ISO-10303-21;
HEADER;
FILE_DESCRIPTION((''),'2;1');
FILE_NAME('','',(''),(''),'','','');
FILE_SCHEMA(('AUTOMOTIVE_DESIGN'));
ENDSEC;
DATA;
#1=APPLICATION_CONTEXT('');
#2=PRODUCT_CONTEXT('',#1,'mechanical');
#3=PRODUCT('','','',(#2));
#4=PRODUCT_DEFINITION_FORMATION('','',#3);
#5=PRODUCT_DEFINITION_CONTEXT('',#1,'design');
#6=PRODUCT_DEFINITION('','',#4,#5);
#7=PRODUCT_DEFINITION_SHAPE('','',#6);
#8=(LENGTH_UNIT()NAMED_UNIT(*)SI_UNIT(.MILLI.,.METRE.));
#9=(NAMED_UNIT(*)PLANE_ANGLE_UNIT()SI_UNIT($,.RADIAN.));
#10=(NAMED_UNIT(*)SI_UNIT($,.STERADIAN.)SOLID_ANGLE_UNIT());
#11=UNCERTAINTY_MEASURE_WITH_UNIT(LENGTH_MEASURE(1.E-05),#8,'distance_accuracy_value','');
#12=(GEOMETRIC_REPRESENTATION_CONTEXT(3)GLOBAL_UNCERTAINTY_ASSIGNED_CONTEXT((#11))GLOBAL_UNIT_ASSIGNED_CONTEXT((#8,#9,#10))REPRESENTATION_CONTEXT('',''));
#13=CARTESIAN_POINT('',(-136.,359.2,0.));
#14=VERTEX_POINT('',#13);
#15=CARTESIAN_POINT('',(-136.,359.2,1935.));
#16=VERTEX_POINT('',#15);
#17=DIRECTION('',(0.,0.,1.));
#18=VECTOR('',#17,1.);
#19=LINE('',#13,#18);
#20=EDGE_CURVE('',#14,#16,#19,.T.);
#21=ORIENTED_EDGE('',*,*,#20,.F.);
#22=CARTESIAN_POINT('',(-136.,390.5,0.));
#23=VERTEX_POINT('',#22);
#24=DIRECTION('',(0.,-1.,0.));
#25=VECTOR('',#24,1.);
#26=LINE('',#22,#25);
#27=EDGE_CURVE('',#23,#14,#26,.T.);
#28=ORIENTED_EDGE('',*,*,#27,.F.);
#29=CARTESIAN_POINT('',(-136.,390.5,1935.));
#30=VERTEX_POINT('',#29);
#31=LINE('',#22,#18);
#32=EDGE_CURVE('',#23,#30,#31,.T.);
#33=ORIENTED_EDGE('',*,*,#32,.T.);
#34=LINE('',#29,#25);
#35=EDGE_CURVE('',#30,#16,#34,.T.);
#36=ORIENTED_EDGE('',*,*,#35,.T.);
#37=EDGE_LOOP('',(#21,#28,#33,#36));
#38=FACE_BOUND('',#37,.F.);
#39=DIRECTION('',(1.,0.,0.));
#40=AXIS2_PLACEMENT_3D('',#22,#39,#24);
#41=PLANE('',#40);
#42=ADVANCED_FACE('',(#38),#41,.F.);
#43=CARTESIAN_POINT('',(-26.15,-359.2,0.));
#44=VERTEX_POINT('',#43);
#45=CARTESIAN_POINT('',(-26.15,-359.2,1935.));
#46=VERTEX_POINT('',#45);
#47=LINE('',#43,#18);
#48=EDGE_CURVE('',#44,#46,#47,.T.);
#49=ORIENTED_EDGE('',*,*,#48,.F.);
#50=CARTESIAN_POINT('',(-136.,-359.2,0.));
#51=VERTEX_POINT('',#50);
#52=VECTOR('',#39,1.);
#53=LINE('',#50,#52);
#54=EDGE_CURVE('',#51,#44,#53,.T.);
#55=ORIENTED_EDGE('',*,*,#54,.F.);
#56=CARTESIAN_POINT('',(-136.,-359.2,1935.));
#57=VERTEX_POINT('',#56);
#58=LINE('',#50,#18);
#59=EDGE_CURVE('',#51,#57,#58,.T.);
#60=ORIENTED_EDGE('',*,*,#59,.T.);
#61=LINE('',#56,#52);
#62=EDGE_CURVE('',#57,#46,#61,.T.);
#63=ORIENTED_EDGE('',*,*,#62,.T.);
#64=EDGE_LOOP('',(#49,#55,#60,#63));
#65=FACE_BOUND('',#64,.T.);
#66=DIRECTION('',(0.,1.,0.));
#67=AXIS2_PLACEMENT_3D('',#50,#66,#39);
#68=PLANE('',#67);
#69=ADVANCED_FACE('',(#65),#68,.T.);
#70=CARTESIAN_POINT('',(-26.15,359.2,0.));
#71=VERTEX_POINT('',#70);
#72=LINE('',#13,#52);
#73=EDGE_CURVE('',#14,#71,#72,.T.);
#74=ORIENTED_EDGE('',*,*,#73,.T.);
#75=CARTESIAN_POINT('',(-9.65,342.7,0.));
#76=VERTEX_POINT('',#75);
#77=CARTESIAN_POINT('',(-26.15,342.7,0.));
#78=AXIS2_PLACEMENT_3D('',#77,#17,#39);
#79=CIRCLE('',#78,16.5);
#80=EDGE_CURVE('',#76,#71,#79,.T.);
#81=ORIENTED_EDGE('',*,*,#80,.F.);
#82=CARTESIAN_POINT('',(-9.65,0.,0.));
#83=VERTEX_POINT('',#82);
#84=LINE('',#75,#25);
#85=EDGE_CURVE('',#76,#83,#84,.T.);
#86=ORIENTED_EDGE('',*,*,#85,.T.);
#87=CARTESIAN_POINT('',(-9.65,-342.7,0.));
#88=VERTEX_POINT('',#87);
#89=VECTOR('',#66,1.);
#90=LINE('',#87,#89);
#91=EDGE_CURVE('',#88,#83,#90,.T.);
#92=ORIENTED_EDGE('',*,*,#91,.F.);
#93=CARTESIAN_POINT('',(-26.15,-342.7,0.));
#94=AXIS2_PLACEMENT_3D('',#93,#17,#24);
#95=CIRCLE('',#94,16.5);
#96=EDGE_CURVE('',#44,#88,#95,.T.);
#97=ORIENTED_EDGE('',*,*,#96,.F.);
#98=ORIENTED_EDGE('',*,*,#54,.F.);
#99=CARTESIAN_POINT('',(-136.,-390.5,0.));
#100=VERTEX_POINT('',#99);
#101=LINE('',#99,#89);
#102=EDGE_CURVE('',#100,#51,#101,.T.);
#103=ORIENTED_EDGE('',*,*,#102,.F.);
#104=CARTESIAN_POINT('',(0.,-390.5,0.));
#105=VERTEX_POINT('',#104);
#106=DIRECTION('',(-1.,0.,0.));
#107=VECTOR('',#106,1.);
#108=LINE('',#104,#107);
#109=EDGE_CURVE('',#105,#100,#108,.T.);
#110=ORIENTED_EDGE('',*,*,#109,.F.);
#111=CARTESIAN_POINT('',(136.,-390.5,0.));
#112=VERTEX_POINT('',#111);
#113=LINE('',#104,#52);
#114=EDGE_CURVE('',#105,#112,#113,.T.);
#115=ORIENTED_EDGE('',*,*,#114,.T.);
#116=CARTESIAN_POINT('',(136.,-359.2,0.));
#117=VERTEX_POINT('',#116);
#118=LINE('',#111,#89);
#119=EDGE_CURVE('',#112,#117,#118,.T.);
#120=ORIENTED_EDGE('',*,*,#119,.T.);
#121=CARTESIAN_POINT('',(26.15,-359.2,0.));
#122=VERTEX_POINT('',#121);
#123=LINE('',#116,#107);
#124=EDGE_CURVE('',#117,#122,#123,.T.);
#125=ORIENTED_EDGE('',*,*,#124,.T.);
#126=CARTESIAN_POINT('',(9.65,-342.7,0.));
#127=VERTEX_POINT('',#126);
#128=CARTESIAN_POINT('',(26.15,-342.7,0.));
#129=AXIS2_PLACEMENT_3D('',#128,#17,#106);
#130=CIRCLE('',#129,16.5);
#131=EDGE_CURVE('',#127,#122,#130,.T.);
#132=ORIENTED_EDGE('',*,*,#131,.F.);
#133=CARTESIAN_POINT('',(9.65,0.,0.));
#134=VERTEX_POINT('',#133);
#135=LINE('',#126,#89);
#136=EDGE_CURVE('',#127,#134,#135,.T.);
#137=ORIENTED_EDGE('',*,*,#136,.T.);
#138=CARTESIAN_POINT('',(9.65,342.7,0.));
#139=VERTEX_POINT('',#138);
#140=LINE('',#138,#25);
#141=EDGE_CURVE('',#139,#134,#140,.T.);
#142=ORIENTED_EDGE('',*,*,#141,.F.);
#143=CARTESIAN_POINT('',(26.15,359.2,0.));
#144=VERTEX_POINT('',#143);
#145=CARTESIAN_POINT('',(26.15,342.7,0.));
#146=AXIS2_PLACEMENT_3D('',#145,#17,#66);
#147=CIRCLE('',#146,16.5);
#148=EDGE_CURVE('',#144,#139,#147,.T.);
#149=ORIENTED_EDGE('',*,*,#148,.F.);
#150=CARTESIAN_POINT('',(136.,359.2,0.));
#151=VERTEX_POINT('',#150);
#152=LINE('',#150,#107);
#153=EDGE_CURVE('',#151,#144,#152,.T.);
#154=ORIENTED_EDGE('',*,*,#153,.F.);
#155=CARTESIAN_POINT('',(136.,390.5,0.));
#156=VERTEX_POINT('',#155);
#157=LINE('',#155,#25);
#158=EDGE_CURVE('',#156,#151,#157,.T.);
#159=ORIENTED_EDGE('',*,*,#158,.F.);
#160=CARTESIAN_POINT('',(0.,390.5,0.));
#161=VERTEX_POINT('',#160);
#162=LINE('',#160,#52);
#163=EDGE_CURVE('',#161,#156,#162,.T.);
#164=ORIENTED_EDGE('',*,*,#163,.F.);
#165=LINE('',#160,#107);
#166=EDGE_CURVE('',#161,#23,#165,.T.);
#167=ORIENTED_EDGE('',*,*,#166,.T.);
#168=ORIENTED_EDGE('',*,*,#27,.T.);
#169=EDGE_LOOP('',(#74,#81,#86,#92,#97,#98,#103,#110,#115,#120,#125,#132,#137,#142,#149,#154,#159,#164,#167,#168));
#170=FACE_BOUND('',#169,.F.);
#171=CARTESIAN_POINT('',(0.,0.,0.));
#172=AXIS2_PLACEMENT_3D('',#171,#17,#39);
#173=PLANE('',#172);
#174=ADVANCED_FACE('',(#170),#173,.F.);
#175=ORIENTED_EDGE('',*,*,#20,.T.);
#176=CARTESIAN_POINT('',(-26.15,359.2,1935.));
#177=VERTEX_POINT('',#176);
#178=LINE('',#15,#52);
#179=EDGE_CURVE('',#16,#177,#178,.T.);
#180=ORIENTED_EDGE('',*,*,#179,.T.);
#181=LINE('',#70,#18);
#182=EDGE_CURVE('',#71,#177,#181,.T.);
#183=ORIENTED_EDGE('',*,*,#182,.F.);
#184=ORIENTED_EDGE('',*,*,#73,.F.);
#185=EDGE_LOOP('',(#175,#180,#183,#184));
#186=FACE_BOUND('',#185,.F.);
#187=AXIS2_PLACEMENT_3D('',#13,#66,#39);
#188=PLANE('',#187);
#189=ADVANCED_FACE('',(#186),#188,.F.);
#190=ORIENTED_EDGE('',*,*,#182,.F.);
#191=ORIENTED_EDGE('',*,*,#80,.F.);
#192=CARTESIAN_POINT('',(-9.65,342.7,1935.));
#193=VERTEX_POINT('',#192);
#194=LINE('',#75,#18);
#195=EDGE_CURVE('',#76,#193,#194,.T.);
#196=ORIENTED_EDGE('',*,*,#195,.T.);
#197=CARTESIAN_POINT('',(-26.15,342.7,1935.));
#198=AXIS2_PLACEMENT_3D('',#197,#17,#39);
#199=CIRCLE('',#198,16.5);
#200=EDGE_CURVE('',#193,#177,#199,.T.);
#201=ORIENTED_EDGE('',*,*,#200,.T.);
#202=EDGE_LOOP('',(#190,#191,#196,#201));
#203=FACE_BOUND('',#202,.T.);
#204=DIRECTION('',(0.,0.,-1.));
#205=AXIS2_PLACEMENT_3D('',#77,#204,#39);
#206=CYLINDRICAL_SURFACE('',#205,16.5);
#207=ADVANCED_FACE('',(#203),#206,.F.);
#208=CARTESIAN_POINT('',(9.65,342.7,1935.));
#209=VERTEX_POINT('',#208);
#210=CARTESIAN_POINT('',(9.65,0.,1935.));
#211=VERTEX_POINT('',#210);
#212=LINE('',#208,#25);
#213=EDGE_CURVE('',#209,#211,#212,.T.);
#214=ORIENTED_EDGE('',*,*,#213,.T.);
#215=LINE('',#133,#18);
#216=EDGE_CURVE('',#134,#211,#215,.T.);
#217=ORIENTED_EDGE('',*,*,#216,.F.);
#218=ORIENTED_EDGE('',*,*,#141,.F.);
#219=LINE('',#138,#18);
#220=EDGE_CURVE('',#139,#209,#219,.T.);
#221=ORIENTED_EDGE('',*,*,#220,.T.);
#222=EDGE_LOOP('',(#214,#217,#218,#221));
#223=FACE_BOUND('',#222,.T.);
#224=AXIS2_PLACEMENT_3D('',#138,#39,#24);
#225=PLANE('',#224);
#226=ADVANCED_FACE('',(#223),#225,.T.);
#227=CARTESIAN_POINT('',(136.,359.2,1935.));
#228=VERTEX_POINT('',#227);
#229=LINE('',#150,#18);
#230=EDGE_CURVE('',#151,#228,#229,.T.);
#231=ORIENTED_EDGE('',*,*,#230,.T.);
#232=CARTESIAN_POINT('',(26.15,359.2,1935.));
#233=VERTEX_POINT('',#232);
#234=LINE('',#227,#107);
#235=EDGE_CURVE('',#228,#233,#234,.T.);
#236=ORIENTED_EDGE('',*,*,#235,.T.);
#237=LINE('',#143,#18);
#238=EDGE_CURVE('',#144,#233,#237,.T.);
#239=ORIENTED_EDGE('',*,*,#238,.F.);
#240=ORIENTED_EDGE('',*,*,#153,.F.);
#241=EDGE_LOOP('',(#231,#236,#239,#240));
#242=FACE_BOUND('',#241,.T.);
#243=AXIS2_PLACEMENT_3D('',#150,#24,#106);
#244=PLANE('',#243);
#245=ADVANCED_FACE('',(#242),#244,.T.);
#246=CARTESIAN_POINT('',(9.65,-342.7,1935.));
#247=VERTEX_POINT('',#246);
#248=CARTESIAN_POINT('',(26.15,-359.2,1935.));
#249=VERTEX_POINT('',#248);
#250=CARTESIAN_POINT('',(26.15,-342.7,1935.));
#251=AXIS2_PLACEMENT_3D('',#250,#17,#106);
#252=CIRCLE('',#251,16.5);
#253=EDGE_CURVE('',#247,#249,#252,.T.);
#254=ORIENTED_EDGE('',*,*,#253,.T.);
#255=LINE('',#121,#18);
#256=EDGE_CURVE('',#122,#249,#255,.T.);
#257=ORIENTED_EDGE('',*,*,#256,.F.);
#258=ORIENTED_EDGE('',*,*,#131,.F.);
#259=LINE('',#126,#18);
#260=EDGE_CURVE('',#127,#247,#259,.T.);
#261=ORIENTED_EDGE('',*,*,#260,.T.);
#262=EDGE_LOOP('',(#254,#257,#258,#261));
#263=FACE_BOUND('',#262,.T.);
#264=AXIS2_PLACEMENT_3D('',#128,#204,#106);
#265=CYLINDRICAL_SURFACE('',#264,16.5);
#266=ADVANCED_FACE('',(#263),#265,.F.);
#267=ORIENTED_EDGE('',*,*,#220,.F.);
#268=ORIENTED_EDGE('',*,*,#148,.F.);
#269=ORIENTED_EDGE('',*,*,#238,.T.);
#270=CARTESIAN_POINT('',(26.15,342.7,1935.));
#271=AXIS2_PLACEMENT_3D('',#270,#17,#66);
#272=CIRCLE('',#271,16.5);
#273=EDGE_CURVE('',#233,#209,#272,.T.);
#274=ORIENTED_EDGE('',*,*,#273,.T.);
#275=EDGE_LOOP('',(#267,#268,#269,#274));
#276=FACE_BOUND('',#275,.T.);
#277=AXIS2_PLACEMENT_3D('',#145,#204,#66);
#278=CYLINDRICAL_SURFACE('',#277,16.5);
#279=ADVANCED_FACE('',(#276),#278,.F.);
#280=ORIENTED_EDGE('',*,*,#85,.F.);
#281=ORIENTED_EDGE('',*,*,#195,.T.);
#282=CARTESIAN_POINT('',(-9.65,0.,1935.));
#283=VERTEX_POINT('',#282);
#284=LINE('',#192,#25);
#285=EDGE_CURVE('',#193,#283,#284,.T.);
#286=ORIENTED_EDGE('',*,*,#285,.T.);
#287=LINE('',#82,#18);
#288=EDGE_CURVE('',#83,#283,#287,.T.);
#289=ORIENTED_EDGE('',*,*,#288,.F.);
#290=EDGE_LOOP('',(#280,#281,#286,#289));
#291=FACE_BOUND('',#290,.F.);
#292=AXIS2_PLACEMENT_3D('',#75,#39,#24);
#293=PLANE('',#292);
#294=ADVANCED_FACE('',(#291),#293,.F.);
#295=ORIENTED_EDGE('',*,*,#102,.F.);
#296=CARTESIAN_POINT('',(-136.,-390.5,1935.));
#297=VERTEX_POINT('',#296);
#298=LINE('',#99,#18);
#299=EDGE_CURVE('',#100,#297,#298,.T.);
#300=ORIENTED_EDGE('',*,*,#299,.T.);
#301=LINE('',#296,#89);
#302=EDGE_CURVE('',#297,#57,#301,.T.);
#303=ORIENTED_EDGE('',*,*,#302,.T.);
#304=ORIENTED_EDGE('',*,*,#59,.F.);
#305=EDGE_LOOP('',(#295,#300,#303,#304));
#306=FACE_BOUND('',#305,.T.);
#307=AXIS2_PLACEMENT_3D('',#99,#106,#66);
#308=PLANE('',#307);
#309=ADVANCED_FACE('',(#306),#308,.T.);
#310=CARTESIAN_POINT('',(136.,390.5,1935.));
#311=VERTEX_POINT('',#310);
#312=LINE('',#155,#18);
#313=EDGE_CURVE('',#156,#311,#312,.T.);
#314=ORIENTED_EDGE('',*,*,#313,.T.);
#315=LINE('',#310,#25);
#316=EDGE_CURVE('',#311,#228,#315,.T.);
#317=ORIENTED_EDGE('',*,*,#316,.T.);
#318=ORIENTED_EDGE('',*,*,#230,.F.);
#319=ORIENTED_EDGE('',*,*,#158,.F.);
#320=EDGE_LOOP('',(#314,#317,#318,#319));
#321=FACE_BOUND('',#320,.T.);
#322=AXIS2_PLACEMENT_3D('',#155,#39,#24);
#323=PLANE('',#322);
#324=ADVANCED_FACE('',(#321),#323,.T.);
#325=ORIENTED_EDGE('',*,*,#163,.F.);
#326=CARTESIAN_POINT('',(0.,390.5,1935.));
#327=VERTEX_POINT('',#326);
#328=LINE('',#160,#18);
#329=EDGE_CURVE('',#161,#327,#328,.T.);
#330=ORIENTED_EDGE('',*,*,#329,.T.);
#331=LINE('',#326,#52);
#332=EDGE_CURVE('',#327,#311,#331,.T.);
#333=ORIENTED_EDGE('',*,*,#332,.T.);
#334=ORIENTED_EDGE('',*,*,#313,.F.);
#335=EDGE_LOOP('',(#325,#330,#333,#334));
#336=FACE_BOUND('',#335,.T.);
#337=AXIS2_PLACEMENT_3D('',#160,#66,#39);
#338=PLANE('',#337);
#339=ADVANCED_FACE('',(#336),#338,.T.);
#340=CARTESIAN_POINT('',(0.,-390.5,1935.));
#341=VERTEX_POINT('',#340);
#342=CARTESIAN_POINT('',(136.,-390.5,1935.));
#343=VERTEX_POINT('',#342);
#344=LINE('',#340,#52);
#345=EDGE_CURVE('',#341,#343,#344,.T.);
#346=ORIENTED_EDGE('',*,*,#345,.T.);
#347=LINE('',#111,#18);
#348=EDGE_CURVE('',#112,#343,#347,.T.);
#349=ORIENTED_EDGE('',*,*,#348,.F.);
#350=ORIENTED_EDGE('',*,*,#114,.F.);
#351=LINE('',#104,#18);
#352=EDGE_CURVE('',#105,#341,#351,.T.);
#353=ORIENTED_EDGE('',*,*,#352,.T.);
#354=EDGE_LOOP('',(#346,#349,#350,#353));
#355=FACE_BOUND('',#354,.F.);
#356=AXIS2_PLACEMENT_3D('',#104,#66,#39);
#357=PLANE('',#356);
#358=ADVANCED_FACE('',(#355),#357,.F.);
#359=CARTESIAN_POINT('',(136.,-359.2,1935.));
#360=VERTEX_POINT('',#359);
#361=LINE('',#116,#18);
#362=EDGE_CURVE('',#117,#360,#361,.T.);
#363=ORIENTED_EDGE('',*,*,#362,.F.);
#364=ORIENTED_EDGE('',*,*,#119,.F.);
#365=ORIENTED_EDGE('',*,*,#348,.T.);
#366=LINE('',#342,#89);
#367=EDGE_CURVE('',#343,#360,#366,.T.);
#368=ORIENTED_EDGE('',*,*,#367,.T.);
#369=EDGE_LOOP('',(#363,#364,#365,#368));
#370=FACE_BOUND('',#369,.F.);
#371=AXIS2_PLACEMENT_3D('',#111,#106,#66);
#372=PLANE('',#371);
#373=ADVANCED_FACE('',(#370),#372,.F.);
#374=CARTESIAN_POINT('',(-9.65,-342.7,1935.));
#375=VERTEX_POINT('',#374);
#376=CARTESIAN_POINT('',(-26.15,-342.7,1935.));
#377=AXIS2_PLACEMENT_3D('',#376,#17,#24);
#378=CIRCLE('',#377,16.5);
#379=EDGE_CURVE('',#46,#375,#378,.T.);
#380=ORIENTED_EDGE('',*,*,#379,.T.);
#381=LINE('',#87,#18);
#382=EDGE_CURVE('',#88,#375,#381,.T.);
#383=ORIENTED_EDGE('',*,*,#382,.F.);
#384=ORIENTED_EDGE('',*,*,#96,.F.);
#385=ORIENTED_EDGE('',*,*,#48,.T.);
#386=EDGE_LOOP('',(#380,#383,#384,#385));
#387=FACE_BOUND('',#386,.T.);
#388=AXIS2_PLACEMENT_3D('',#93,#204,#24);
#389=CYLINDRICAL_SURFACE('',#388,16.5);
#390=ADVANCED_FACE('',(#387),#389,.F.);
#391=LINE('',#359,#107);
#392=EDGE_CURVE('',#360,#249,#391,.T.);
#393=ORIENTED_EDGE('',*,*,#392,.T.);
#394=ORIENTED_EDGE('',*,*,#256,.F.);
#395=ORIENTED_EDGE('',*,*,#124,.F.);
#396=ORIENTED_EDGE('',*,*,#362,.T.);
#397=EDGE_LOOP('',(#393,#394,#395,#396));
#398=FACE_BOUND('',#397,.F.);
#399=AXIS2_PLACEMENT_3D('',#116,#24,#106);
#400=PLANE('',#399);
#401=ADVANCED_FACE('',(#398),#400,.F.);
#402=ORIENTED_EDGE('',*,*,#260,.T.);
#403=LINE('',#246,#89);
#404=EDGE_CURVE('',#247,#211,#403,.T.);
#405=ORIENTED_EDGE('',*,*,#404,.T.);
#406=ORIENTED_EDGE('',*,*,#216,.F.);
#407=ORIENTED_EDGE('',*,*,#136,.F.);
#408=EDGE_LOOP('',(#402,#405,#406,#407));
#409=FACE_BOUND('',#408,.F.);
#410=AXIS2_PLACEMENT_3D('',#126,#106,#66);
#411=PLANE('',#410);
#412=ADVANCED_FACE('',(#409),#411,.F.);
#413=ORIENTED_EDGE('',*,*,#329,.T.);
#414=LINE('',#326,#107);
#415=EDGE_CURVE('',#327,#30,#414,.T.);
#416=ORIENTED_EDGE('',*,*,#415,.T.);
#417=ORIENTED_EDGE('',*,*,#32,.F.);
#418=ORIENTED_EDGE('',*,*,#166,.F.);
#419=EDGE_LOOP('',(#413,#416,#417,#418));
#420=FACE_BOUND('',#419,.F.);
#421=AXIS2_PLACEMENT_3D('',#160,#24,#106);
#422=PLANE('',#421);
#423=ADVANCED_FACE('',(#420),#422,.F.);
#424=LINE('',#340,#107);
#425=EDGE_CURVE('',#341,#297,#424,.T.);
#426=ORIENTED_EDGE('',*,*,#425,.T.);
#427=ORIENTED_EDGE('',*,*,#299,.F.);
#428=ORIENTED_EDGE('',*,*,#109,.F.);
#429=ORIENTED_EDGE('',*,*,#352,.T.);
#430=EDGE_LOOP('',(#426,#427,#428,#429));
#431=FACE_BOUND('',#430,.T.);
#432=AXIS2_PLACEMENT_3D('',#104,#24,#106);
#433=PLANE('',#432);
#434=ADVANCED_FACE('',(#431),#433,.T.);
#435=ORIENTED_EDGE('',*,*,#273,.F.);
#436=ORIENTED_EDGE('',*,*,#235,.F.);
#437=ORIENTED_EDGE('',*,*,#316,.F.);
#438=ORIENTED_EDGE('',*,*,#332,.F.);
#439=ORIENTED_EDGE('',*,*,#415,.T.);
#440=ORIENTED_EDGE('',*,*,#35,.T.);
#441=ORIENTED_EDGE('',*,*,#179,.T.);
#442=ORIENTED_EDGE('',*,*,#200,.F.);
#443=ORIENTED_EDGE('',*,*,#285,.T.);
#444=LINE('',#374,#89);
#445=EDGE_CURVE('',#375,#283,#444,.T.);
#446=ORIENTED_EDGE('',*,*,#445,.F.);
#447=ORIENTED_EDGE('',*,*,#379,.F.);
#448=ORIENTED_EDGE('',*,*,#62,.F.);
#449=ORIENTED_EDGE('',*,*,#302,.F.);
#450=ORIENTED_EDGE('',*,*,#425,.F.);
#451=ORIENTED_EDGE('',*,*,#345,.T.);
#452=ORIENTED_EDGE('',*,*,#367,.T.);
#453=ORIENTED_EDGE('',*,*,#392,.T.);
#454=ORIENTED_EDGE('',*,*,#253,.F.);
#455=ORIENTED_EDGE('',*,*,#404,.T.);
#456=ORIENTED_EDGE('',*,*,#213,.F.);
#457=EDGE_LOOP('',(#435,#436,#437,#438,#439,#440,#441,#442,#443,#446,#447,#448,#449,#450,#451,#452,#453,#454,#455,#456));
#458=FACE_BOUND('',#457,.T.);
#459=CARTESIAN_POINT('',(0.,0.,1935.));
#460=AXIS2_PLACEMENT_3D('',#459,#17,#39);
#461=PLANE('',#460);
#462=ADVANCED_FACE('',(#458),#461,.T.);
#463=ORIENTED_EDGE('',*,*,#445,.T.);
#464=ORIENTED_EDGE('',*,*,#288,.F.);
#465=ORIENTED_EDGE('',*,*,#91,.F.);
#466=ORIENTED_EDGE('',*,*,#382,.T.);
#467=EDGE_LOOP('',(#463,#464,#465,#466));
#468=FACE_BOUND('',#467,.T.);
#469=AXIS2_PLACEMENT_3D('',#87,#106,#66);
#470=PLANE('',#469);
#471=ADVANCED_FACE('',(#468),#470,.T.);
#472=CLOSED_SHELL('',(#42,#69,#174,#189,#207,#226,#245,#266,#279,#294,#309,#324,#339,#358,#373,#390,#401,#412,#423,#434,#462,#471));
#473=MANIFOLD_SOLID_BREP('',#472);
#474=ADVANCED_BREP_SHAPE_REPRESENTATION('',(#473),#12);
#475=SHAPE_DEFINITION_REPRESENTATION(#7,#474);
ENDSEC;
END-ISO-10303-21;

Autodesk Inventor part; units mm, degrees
ref_plane "YZ Plane" through (0, 0, 0) normal (1, 0, 0) x (0, 1, 0)
ref_plane "Start plane" through (0, 0, 0) normal (0, 0, 1) x (1, 0, 0)
ref_plane "End plane" through (0, 0, 1935) normal (0, 0, 1) x (1, 0, 0)
sketch "Sketch" plane through (0, 0, 0) normal (0, 0, 1) x (1, 0, 0)
  line L0 (-136, -390.5) -> (-136, -359.2)
  line L1 (-136, -359.2) -> (-26.15, -359.2)
  line L2 (-9.65, -342.7) -> (-9.65, 0)
  line L3 (-9.65, 0) -> (0, 0) construction
  line L4 (0, 0) -> (0, -390.5) construction
  line L5 (0, -390.5) -> (-136, -390.5)
  line L6 (-60, 0) -> (80, 0) construction
  line L7 (0, -60) -> (0, 80) construction
  line L8 (136, -390.5) -> (136, -359.2)
  line L9 (136, -359.2) -> (26.15, -359.2)
  line L10 (9.65, -342.7) -> (9.65, 0)
  line L11 (9.65, 0) -> (0, 0) construction
  line L12 (0, -390.5) -> (136, -390.5)
  line L13 (-136, 390.5) -> (-136, 359.2)
  line L14 (-136, 359.2) -> (-26.15, 359.2)
  line L15 (-9.65, 342.7) -> (-9.65, 0)
  line L16 (0, 390.5) -> (-136, 390.5)
  line L17 (136, 390.5) -> (136, 359.2)
  line L18 (136, 359.2) -> (26.15, 359.2)
  line L19 (0, 390.5) -> (136, 390.5)
  line L20 (9.65, 342.7) -> (9.65, 0)
  arc A0 (-9.65, 342.7) -> (-26.15, 359.2) centre (-26.15, 342.7) ccw
  arc A1 (26.15, 359.2) -> (9.65, 342.7) centre (26.15, 342.7) ccw
  arc A2 (9.65, -342.7) -> (26.15, -359.2) centre (26.15, -342.7) ccw
  arc A3 (-26.15, -359.2) -> (-9.65, -342.7) centre (-26.15, -342.7) ccw
  line L21 (0, 108) -> (0, -88) construction
  line L22 (-88, 0) -> (108, 0) construction
  point P0 (-9.65, -359.2)
  point P1 (9.65, -359.2)
  point P2 (-9.65, 359.2)
  point P3 (9.65, 359.2)
  dimension "d1" = 390.5
  dimension "d2" = 31.3
  dimension "d3" = 136
  dimension "d4" = 9.65
  dimension "d10" = 16.5
extrude "Body" add sketch "Sketch" along normal up to surface (1935 mm away) from surface at 0
sketch "Sketch4" plane through (0, 0, 0) normal (0, 0, 1) x (1, 0, 0)
  line L0 (0, 0) -> (10, 0)
ref_plane "Work Plane3" through (0, 0, 0) normal (0, -1, 0) x (1, 0, 0)
sketch "Sketch5" plane through (0, 0, 0) normal (0, -1, 0) x (1, 0, 0)
  line L0 (-2, 0) -> (12, 0) projected
  line L1 (-2, 1935) -> (12, 1935) projected
  dimension "d14" = 1935
equation "\"d1\" = 0.5 * G_H"
equation "\"d2\" = G_T1"
equation "\"d3\" = 0.5 * G_W"
equation "\"d4\" = 0.5 * G_T"
equation "\"d10\" = G_IR"
equation "\"d5\" = G_L"
equation "\"G_W\" = 272"
equation "\"G_H\" = 781"
equation "\"G_T\" = 19.3"
equation "\"G_T1\" = 31.3"
equation "\"G_IR\" = 16.5"
equation "\"G_L\" = d14"
equation "\"G_OFFSET_START\" = 0"
equation "\"G_OFFSET_END\" = 0"
equation "\"d12\" = G_OFFSET_END + B_L"
equation "\"B_L\" = 1935"
properties part number "AS 3679-1990 - 760 UB - 244 - 1935" material "Steel, Mild"
